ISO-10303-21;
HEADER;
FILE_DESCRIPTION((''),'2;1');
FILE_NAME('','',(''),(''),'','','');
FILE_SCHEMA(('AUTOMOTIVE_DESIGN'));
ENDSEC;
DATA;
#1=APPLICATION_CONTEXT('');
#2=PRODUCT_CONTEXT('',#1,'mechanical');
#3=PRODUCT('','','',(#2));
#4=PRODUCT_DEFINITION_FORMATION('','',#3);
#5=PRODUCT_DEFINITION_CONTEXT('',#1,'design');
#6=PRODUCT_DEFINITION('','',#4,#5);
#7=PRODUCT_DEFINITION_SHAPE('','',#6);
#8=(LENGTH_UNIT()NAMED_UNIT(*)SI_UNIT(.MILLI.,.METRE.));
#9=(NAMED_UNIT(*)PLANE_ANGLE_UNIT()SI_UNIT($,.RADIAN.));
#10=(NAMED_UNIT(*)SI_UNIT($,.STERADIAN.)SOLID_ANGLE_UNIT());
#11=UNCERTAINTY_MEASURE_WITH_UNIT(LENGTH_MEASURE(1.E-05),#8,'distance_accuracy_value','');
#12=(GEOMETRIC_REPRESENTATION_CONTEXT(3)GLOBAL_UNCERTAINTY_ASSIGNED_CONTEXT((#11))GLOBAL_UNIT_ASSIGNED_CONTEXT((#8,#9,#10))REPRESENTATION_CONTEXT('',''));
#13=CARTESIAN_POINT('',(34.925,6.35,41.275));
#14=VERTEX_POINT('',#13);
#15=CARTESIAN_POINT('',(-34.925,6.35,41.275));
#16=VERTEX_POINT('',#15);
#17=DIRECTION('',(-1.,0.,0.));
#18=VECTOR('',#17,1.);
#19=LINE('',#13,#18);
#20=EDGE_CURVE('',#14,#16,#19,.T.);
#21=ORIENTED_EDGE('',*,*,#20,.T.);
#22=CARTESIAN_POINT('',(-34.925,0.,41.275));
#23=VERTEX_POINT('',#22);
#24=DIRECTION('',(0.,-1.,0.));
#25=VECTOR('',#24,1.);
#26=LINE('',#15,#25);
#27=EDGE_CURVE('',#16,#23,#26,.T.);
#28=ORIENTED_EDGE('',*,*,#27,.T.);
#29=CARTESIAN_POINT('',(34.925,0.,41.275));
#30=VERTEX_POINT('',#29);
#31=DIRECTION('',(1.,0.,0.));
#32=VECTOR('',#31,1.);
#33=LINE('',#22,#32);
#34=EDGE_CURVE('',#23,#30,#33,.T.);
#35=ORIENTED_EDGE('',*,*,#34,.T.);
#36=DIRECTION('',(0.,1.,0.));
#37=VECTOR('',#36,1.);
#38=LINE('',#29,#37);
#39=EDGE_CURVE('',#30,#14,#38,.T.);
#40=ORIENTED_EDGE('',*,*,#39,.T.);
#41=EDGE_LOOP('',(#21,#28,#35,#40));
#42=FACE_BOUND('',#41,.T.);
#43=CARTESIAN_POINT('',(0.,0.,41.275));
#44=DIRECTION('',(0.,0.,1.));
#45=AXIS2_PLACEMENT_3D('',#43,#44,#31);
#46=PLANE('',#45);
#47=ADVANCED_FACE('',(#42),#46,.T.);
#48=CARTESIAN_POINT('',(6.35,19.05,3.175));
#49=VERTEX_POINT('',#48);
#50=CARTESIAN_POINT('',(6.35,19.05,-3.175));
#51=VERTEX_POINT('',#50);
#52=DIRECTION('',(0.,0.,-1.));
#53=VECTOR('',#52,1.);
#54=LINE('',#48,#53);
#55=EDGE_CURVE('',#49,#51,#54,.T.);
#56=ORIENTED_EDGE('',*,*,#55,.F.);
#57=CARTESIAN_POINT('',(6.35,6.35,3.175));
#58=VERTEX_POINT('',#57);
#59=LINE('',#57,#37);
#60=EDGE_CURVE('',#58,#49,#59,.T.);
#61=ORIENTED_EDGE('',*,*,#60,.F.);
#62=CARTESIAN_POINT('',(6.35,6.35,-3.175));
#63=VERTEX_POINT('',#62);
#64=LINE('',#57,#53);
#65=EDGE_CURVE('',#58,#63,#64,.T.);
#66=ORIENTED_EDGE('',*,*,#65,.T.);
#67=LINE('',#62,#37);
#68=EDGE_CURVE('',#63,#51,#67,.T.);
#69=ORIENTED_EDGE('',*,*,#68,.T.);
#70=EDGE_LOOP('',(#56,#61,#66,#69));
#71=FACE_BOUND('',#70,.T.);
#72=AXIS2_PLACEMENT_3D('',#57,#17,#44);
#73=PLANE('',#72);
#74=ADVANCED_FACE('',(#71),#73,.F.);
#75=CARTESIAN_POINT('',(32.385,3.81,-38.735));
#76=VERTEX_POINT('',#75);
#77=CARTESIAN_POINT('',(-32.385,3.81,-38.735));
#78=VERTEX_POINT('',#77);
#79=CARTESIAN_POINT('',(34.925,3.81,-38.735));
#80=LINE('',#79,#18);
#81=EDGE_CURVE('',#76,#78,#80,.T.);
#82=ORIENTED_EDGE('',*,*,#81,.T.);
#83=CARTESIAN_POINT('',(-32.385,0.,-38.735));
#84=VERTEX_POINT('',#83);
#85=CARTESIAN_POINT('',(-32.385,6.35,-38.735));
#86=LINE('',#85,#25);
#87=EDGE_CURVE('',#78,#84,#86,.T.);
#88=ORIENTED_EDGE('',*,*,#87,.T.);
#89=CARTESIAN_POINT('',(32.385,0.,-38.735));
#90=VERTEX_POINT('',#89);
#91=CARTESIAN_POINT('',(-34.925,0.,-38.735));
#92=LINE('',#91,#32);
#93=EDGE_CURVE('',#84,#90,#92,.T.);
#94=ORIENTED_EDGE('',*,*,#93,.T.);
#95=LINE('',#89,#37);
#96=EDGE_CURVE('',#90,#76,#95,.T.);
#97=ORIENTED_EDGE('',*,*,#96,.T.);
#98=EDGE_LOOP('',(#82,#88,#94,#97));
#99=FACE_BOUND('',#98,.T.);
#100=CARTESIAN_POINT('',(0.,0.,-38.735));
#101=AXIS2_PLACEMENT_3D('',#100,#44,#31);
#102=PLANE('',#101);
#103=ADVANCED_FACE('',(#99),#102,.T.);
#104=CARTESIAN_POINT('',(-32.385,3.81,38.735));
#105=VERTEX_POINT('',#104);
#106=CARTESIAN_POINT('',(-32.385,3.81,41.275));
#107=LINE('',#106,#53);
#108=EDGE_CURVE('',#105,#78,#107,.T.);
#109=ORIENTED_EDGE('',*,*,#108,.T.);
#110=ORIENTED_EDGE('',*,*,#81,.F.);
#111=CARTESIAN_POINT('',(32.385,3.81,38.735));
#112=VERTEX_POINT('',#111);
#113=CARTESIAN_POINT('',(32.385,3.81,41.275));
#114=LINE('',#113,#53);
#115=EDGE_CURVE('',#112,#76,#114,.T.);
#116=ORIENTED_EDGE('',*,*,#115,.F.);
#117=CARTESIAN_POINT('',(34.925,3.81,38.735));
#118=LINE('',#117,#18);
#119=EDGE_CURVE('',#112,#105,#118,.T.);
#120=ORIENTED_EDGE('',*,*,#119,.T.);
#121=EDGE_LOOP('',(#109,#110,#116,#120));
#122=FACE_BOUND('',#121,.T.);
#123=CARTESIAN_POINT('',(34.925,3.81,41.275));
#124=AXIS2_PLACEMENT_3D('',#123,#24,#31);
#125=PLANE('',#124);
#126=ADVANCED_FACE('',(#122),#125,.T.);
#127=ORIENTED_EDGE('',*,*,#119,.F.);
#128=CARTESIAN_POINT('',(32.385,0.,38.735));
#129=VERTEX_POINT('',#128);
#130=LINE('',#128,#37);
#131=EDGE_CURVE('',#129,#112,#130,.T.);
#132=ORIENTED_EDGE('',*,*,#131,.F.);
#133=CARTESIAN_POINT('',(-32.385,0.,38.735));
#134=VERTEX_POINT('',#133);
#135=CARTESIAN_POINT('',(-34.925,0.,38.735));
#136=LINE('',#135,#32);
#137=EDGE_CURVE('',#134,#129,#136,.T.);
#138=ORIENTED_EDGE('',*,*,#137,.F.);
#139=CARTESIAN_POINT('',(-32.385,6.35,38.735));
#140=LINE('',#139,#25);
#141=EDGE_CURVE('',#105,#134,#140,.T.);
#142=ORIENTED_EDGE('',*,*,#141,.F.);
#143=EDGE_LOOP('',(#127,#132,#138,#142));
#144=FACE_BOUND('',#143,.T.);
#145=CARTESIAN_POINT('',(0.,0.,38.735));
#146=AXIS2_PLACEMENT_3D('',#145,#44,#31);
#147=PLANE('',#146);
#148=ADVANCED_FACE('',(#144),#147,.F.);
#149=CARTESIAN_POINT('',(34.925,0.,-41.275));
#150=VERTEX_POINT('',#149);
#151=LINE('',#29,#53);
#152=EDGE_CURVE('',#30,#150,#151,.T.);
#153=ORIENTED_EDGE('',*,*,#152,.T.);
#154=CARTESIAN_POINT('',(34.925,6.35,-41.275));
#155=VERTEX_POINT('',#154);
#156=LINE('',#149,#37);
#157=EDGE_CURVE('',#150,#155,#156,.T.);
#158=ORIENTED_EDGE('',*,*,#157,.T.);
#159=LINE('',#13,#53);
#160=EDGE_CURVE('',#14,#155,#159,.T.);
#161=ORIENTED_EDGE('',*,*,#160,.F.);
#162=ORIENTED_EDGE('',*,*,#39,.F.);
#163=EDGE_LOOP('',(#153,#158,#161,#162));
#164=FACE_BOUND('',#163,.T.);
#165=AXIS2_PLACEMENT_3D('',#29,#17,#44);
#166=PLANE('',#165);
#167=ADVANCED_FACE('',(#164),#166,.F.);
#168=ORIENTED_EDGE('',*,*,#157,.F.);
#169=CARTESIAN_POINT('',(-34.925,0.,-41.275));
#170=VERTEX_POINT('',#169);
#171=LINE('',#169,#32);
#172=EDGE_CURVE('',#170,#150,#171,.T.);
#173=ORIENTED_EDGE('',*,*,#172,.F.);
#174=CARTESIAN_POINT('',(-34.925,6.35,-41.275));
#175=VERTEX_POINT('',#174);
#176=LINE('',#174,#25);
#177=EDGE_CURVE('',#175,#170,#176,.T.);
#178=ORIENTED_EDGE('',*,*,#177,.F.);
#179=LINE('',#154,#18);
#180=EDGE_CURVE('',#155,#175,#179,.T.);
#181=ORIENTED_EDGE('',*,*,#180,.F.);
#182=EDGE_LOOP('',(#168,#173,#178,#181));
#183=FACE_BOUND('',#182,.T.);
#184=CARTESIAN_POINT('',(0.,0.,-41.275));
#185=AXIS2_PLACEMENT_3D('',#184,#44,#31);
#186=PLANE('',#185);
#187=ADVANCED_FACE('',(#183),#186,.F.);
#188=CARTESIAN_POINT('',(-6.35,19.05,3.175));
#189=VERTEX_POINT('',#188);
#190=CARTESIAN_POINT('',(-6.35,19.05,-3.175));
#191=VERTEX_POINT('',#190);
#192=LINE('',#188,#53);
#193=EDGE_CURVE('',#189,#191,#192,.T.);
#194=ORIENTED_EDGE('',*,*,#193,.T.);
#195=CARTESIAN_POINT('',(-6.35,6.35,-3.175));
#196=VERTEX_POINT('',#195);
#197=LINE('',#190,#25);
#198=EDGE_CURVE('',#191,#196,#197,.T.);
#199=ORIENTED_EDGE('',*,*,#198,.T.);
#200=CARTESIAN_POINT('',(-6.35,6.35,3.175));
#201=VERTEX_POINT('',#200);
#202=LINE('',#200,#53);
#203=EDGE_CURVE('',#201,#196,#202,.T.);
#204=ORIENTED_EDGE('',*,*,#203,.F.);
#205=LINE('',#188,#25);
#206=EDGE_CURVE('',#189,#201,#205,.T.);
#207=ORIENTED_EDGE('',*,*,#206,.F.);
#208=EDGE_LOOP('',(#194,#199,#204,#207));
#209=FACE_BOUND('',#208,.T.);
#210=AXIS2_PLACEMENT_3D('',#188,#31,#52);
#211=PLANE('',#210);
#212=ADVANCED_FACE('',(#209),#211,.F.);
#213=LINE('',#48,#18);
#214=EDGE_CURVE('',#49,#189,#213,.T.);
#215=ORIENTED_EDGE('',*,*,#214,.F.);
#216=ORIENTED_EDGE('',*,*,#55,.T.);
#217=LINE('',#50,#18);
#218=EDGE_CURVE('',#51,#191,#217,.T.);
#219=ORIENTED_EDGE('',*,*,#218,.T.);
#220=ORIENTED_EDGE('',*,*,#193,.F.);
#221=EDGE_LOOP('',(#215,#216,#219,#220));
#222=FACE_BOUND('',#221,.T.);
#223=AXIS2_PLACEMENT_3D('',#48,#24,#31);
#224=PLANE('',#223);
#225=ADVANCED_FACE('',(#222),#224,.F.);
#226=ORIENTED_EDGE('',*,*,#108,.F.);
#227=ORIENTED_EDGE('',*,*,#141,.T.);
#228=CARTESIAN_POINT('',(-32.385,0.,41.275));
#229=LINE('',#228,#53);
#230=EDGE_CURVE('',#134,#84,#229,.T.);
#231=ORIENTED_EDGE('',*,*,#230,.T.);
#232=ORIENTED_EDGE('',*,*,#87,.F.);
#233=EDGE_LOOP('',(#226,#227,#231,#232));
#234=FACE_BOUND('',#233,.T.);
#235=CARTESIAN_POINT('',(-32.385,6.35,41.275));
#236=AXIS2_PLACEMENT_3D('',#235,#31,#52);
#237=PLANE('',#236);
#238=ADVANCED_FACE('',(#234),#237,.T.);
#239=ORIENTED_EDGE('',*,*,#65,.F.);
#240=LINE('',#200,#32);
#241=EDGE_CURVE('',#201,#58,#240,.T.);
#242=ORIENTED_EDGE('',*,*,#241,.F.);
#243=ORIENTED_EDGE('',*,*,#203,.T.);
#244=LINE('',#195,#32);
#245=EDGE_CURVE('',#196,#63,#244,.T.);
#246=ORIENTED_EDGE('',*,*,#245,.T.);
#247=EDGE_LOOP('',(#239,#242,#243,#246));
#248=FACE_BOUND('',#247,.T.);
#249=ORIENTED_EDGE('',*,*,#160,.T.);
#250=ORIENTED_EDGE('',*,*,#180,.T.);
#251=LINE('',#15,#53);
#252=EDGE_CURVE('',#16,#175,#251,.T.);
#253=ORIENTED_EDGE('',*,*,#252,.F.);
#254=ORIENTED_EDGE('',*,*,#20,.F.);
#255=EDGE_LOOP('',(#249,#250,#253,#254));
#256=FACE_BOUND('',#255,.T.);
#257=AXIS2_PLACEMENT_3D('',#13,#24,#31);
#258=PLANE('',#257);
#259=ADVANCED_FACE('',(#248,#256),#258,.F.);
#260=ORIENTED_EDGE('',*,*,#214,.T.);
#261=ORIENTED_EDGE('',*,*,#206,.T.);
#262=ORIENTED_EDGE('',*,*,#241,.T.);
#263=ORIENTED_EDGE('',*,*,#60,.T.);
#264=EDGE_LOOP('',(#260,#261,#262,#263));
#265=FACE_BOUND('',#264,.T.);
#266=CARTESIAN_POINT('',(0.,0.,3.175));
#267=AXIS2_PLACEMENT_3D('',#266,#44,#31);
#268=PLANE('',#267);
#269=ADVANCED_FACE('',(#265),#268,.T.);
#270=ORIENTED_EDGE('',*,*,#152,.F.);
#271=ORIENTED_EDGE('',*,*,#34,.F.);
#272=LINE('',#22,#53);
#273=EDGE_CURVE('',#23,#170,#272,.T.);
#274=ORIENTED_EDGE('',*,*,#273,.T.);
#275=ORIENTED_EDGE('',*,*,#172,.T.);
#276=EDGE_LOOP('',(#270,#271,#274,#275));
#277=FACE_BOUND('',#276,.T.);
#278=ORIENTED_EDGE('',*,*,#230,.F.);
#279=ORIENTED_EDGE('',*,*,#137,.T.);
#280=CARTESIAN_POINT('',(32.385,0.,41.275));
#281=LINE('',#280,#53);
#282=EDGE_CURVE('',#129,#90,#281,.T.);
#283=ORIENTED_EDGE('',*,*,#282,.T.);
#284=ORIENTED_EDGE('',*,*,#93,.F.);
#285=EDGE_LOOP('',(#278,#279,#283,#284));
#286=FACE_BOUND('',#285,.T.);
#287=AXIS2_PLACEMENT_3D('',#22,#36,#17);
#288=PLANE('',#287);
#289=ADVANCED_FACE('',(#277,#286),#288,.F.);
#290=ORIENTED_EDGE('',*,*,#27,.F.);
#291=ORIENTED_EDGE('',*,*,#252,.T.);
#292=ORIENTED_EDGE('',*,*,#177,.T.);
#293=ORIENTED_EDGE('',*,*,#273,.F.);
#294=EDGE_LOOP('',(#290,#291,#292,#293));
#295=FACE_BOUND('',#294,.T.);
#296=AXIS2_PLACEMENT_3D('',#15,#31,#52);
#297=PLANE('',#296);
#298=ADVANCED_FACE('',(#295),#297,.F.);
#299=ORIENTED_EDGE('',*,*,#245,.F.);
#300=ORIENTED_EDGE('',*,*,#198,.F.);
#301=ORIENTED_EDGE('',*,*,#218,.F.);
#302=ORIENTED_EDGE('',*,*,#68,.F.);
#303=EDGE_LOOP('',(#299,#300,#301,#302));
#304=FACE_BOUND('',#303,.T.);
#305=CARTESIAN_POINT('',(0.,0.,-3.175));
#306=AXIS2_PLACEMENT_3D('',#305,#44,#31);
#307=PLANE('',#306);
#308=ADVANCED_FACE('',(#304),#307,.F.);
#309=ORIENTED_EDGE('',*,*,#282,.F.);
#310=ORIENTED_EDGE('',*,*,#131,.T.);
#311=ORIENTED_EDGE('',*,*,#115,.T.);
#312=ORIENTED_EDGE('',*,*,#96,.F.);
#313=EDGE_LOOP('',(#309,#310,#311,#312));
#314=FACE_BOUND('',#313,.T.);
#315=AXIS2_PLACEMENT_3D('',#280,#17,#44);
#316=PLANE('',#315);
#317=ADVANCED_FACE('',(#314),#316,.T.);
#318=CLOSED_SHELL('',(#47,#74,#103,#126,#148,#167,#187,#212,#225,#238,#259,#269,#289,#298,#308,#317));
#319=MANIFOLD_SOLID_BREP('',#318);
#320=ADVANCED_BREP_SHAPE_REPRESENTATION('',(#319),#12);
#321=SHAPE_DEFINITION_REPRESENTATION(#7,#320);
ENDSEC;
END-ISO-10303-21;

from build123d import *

# Parameters (mm, degrees)
SKETCH1_W           = 69.85
SKETCH1_H           = 6.35
BOSS_EXTRUDE1_DEPTH = 41.275
SHELL1_T            = -2.54
SKETCH2_W           = 12.7
SKETCH2_H           = 12.7
BOSS_EXTRUDE2_DEPTH = 3.175


with BuildPart() as part:
    # Sketch1 → Boss-Extrude1 (new, symmetric)
    with BuildSketch(Plane.XY):
        with Locations((0, 3.175)):
            Rectangle(SKETCH1_W, SKETCH1_H)
    extrude(amount=BOSS_EXTRUDE1_DEPTH, both=True)

    # Shell1
    shell1_openings = [part.faces().sort_by_distance(p)[0] for p in [
        (0, 0, 0),
    ]]
    offset(amount=SHELL1_T, openings=shell1_openings, kind=Kind.INTERSECTION)

    # Sketch2 → Boss-Extrude2 (add, symmetric)
    with BuildSketch(Plane.XY):
        with Locations((0, 12.7)):
            Rectangle(SKETCH2_W, SKETCH2_H)
    extrude(amount=BOSS_EXTRUDE2_DEPTH, both=True)


solid = part.part
